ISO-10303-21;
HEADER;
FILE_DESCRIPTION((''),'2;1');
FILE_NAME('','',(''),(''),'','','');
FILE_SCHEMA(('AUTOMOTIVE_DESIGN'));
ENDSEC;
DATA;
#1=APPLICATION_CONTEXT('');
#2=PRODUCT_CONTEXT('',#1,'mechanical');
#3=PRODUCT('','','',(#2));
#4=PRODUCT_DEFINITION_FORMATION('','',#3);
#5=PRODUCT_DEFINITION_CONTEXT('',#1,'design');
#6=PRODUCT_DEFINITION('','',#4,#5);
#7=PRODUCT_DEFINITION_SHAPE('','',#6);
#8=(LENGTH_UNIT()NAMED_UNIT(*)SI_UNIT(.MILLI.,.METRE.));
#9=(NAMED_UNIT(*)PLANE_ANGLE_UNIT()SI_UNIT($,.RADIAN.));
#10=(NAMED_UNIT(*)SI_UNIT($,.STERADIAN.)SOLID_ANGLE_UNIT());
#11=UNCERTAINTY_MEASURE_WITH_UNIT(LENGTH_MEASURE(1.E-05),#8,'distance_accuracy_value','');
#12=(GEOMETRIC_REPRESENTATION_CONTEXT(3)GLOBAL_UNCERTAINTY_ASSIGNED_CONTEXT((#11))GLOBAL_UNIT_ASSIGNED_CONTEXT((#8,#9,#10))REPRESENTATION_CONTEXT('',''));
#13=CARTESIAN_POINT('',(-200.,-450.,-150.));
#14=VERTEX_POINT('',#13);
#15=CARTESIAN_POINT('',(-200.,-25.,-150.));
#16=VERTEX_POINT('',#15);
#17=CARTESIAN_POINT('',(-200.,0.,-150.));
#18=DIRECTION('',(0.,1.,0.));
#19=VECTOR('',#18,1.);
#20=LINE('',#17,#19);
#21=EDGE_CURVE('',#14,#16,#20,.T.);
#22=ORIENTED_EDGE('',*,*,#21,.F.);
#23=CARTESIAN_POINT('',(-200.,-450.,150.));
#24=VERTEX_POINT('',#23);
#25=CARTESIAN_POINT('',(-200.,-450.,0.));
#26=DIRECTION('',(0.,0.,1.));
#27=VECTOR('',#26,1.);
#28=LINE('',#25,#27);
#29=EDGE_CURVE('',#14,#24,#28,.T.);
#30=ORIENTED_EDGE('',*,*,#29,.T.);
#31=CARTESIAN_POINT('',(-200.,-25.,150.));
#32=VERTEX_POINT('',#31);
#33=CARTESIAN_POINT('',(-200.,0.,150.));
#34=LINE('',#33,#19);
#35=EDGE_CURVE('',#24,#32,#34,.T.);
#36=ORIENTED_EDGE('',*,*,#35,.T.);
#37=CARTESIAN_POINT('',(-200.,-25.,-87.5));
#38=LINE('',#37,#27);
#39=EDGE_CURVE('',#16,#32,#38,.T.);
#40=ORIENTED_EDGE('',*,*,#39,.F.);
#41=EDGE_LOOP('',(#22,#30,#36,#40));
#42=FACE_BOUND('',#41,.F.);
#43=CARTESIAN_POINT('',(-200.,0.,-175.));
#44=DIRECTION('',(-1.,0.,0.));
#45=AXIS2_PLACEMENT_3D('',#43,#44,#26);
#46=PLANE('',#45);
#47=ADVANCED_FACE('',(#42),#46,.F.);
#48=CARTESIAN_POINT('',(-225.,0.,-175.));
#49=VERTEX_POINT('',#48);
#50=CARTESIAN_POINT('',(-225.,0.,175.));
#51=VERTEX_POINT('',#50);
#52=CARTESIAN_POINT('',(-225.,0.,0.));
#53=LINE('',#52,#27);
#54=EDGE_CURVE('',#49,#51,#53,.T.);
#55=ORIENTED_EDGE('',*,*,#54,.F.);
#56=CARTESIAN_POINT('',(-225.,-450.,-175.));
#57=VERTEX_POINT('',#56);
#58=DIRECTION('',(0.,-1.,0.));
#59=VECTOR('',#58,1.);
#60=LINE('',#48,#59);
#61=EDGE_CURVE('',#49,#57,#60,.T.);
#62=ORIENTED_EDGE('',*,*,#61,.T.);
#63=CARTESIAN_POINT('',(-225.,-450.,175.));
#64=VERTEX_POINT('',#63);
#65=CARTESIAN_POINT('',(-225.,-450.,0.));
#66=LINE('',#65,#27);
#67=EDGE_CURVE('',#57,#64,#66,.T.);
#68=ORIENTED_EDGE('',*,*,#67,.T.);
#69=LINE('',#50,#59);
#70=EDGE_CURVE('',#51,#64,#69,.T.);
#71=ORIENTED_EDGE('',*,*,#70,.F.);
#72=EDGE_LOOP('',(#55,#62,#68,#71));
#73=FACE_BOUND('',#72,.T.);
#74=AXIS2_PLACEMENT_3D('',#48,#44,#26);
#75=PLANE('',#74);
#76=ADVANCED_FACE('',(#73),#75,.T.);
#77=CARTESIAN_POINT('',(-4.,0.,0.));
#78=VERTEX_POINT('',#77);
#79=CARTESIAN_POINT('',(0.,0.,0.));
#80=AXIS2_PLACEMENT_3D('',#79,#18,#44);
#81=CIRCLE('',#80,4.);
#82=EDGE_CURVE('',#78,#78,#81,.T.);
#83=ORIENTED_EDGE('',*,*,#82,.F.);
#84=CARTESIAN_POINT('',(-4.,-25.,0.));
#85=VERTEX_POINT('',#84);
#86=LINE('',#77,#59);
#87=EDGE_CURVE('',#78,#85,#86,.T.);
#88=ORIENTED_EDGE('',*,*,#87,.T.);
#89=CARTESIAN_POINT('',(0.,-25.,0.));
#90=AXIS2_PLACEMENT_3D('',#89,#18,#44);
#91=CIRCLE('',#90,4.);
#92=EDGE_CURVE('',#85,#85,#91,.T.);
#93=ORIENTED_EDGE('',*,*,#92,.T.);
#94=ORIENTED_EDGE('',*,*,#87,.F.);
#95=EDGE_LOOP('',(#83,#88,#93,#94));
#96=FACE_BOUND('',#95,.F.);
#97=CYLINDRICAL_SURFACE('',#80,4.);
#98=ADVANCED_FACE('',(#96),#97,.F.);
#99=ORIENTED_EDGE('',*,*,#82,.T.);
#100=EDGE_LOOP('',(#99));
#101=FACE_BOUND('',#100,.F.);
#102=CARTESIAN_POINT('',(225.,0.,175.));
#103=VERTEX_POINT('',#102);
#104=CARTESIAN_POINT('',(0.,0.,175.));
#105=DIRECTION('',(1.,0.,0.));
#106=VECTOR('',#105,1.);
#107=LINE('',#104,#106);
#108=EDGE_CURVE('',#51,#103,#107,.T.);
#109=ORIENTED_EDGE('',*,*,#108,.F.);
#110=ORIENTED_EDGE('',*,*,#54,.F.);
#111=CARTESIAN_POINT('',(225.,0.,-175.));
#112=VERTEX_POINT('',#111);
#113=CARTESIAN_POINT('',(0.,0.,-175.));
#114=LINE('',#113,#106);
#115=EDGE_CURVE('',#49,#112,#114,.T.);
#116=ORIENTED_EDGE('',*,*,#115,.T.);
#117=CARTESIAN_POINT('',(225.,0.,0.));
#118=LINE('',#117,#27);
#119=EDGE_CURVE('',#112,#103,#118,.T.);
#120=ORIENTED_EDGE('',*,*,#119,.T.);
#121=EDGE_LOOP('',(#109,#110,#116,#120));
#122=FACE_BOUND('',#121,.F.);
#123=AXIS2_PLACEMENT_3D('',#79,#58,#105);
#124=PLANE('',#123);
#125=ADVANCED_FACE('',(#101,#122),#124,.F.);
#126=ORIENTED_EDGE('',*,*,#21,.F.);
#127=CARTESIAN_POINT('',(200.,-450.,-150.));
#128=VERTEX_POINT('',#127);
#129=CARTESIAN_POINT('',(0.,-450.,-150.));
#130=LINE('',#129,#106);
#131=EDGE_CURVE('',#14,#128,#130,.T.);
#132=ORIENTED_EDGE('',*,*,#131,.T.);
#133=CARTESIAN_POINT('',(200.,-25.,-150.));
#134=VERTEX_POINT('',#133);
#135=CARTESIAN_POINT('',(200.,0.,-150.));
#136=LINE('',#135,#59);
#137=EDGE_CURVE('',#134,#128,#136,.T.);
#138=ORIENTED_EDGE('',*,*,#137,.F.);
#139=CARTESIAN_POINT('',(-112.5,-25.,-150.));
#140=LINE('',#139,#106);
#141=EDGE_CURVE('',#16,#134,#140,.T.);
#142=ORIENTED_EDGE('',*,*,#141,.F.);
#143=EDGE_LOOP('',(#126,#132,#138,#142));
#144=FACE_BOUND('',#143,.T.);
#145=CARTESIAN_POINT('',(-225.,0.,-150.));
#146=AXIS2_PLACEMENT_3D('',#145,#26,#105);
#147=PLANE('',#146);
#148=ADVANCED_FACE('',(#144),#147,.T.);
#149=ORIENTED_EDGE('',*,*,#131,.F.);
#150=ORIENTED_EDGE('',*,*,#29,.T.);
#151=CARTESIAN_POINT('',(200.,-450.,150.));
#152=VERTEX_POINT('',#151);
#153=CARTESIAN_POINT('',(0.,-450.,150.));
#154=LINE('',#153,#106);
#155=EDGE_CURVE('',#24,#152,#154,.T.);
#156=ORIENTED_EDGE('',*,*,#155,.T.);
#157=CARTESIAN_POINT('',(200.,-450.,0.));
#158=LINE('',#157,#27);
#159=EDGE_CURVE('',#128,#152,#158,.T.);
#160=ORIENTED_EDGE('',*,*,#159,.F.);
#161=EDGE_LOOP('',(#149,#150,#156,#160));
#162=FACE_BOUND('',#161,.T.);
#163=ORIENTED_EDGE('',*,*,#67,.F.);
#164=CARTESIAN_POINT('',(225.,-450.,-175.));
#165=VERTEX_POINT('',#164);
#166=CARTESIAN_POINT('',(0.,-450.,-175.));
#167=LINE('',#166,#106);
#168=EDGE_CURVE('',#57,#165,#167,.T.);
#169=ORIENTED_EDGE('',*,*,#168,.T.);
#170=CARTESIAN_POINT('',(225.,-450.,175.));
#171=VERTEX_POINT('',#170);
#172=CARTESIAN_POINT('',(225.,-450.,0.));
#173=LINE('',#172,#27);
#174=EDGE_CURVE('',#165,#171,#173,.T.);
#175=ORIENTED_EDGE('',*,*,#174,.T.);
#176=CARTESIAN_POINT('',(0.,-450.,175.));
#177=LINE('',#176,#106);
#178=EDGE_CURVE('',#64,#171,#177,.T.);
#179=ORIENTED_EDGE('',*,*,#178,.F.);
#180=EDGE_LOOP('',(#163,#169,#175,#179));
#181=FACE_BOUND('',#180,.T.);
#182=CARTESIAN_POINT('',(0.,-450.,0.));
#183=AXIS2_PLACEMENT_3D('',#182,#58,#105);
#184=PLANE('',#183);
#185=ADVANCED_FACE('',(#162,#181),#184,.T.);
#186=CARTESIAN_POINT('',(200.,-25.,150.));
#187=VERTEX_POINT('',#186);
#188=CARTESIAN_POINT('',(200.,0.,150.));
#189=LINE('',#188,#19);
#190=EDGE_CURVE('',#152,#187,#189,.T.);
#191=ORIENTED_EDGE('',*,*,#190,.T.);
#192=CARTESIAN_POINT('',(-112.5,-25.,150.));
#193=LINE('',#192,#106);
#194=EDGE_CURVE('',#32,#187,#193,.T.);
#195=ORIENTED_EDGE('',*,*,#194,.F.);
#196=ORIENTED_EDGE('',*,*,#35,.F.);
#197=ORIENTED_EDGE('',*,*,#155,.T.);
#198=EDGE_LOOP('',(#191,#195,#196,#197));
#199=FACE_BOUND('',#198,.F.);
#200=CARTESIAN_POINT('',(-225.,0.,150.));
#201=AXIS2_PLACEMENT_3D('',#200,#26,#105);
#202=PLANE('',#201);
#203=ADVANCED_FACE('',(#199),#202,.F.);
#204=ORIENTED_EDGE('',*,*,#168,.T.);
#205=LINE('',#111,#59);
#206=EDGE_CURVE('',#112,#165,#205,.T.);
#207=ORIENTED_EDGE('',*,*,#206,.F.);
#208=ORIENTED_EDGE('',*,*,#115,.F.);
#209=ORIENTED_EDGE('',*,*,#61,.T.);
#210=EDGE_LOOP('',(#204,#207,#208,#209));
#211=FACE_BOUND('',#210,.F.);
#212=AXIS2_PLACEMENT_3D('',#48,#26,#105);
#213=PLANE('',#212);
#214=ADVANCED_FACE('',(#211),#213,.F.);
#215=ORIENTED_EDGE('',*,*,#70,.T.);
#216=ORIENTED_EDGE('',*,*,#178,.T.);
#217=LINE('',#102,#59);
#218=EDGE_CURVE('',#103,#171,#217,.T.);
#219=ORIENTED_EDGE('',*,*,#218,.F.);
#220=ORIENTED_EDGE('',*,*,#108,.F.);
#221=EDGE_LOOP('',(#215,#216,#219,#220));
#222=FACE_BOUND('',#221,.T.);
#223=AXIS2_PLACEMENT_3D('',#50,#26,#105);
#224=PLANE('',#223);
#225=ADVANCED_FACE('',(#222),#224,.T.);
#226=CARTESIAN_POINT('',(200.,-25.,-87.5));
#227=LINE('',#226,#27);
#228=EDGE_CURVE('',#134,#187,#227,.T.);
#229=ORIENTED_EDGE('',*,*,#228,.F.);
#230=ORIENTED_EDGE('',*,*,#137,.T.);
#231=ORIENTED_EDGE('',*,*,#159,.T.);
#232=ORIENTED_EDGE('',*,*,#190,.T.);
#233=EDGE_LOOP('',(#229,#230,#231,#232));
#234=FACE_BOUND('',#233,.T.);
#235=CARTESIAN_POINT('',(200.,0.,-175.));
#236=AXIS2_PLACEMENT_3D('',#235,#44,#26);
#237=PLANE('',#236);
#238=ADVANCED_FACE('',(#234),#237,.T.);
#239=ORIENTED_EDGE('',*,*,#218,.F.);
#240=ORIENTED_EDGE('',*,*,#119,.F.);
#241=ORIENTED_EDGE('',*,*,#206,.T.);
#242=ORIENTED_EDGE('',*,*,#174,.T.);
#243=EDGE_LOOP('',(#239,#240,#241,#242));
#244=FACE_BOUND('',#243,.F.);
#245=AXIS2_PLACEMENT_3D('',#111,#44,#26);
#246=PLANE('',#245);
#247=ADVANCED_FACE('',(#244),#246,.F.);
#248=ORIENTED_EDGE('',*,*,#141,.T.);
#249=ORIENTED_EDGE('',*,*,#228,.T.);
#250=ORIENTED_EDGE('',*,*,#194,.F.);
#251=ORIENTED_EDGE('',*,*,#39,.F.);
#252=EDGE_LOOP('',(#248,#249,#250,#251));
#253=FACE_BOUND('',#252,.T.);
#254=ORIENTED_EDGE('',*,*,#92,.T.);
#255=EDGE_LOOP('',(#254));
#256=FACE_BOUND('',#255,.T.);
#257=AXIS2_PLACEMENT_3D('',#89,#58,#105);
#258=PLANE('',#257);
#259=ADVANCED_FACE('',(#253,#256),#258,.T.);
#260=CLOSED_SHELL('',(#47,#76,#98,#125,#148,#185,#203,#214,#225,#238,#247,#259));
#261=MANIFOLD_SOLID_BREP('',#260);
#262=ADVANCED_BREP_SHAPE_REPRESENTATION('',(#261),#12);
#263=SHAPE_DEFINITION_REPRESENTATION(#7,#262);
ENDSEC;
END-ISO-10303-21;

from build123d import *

# Parameters (mm, degrees)
F0_W     = 450
F0_H     = 350
F1_DEPTH = 450
F2_T     = -25
F3_R     = 4
F4_DEPTH = 450.001


with BuildPart() as f1:
    # F0 (on Front) → F1 (new body)
    with BuildSketch(Plane.XZ):
        Rectangle(F0_W, F0_H)
    extrude(amount=F1_DEPTH)

    # F2
    f2_openings = [f1.faces().sort_by_distance(p)[0] for p in [
        (0, -450, 0),
    ]]
    offset(amount=F2_T, openings=f2_openings)

    # F3 (on face) → F4 (cut, through all)
    with BuildSketch(Plane(origin=(0, 0, 0), x_dir=(-1, 0, 0), z_dir=(0, 1, 0))):
        Circle(F3_R)
    extrude(amount=-F4_DEPTH, mode=Mode.SUBTRACT)


solid = f1.part
